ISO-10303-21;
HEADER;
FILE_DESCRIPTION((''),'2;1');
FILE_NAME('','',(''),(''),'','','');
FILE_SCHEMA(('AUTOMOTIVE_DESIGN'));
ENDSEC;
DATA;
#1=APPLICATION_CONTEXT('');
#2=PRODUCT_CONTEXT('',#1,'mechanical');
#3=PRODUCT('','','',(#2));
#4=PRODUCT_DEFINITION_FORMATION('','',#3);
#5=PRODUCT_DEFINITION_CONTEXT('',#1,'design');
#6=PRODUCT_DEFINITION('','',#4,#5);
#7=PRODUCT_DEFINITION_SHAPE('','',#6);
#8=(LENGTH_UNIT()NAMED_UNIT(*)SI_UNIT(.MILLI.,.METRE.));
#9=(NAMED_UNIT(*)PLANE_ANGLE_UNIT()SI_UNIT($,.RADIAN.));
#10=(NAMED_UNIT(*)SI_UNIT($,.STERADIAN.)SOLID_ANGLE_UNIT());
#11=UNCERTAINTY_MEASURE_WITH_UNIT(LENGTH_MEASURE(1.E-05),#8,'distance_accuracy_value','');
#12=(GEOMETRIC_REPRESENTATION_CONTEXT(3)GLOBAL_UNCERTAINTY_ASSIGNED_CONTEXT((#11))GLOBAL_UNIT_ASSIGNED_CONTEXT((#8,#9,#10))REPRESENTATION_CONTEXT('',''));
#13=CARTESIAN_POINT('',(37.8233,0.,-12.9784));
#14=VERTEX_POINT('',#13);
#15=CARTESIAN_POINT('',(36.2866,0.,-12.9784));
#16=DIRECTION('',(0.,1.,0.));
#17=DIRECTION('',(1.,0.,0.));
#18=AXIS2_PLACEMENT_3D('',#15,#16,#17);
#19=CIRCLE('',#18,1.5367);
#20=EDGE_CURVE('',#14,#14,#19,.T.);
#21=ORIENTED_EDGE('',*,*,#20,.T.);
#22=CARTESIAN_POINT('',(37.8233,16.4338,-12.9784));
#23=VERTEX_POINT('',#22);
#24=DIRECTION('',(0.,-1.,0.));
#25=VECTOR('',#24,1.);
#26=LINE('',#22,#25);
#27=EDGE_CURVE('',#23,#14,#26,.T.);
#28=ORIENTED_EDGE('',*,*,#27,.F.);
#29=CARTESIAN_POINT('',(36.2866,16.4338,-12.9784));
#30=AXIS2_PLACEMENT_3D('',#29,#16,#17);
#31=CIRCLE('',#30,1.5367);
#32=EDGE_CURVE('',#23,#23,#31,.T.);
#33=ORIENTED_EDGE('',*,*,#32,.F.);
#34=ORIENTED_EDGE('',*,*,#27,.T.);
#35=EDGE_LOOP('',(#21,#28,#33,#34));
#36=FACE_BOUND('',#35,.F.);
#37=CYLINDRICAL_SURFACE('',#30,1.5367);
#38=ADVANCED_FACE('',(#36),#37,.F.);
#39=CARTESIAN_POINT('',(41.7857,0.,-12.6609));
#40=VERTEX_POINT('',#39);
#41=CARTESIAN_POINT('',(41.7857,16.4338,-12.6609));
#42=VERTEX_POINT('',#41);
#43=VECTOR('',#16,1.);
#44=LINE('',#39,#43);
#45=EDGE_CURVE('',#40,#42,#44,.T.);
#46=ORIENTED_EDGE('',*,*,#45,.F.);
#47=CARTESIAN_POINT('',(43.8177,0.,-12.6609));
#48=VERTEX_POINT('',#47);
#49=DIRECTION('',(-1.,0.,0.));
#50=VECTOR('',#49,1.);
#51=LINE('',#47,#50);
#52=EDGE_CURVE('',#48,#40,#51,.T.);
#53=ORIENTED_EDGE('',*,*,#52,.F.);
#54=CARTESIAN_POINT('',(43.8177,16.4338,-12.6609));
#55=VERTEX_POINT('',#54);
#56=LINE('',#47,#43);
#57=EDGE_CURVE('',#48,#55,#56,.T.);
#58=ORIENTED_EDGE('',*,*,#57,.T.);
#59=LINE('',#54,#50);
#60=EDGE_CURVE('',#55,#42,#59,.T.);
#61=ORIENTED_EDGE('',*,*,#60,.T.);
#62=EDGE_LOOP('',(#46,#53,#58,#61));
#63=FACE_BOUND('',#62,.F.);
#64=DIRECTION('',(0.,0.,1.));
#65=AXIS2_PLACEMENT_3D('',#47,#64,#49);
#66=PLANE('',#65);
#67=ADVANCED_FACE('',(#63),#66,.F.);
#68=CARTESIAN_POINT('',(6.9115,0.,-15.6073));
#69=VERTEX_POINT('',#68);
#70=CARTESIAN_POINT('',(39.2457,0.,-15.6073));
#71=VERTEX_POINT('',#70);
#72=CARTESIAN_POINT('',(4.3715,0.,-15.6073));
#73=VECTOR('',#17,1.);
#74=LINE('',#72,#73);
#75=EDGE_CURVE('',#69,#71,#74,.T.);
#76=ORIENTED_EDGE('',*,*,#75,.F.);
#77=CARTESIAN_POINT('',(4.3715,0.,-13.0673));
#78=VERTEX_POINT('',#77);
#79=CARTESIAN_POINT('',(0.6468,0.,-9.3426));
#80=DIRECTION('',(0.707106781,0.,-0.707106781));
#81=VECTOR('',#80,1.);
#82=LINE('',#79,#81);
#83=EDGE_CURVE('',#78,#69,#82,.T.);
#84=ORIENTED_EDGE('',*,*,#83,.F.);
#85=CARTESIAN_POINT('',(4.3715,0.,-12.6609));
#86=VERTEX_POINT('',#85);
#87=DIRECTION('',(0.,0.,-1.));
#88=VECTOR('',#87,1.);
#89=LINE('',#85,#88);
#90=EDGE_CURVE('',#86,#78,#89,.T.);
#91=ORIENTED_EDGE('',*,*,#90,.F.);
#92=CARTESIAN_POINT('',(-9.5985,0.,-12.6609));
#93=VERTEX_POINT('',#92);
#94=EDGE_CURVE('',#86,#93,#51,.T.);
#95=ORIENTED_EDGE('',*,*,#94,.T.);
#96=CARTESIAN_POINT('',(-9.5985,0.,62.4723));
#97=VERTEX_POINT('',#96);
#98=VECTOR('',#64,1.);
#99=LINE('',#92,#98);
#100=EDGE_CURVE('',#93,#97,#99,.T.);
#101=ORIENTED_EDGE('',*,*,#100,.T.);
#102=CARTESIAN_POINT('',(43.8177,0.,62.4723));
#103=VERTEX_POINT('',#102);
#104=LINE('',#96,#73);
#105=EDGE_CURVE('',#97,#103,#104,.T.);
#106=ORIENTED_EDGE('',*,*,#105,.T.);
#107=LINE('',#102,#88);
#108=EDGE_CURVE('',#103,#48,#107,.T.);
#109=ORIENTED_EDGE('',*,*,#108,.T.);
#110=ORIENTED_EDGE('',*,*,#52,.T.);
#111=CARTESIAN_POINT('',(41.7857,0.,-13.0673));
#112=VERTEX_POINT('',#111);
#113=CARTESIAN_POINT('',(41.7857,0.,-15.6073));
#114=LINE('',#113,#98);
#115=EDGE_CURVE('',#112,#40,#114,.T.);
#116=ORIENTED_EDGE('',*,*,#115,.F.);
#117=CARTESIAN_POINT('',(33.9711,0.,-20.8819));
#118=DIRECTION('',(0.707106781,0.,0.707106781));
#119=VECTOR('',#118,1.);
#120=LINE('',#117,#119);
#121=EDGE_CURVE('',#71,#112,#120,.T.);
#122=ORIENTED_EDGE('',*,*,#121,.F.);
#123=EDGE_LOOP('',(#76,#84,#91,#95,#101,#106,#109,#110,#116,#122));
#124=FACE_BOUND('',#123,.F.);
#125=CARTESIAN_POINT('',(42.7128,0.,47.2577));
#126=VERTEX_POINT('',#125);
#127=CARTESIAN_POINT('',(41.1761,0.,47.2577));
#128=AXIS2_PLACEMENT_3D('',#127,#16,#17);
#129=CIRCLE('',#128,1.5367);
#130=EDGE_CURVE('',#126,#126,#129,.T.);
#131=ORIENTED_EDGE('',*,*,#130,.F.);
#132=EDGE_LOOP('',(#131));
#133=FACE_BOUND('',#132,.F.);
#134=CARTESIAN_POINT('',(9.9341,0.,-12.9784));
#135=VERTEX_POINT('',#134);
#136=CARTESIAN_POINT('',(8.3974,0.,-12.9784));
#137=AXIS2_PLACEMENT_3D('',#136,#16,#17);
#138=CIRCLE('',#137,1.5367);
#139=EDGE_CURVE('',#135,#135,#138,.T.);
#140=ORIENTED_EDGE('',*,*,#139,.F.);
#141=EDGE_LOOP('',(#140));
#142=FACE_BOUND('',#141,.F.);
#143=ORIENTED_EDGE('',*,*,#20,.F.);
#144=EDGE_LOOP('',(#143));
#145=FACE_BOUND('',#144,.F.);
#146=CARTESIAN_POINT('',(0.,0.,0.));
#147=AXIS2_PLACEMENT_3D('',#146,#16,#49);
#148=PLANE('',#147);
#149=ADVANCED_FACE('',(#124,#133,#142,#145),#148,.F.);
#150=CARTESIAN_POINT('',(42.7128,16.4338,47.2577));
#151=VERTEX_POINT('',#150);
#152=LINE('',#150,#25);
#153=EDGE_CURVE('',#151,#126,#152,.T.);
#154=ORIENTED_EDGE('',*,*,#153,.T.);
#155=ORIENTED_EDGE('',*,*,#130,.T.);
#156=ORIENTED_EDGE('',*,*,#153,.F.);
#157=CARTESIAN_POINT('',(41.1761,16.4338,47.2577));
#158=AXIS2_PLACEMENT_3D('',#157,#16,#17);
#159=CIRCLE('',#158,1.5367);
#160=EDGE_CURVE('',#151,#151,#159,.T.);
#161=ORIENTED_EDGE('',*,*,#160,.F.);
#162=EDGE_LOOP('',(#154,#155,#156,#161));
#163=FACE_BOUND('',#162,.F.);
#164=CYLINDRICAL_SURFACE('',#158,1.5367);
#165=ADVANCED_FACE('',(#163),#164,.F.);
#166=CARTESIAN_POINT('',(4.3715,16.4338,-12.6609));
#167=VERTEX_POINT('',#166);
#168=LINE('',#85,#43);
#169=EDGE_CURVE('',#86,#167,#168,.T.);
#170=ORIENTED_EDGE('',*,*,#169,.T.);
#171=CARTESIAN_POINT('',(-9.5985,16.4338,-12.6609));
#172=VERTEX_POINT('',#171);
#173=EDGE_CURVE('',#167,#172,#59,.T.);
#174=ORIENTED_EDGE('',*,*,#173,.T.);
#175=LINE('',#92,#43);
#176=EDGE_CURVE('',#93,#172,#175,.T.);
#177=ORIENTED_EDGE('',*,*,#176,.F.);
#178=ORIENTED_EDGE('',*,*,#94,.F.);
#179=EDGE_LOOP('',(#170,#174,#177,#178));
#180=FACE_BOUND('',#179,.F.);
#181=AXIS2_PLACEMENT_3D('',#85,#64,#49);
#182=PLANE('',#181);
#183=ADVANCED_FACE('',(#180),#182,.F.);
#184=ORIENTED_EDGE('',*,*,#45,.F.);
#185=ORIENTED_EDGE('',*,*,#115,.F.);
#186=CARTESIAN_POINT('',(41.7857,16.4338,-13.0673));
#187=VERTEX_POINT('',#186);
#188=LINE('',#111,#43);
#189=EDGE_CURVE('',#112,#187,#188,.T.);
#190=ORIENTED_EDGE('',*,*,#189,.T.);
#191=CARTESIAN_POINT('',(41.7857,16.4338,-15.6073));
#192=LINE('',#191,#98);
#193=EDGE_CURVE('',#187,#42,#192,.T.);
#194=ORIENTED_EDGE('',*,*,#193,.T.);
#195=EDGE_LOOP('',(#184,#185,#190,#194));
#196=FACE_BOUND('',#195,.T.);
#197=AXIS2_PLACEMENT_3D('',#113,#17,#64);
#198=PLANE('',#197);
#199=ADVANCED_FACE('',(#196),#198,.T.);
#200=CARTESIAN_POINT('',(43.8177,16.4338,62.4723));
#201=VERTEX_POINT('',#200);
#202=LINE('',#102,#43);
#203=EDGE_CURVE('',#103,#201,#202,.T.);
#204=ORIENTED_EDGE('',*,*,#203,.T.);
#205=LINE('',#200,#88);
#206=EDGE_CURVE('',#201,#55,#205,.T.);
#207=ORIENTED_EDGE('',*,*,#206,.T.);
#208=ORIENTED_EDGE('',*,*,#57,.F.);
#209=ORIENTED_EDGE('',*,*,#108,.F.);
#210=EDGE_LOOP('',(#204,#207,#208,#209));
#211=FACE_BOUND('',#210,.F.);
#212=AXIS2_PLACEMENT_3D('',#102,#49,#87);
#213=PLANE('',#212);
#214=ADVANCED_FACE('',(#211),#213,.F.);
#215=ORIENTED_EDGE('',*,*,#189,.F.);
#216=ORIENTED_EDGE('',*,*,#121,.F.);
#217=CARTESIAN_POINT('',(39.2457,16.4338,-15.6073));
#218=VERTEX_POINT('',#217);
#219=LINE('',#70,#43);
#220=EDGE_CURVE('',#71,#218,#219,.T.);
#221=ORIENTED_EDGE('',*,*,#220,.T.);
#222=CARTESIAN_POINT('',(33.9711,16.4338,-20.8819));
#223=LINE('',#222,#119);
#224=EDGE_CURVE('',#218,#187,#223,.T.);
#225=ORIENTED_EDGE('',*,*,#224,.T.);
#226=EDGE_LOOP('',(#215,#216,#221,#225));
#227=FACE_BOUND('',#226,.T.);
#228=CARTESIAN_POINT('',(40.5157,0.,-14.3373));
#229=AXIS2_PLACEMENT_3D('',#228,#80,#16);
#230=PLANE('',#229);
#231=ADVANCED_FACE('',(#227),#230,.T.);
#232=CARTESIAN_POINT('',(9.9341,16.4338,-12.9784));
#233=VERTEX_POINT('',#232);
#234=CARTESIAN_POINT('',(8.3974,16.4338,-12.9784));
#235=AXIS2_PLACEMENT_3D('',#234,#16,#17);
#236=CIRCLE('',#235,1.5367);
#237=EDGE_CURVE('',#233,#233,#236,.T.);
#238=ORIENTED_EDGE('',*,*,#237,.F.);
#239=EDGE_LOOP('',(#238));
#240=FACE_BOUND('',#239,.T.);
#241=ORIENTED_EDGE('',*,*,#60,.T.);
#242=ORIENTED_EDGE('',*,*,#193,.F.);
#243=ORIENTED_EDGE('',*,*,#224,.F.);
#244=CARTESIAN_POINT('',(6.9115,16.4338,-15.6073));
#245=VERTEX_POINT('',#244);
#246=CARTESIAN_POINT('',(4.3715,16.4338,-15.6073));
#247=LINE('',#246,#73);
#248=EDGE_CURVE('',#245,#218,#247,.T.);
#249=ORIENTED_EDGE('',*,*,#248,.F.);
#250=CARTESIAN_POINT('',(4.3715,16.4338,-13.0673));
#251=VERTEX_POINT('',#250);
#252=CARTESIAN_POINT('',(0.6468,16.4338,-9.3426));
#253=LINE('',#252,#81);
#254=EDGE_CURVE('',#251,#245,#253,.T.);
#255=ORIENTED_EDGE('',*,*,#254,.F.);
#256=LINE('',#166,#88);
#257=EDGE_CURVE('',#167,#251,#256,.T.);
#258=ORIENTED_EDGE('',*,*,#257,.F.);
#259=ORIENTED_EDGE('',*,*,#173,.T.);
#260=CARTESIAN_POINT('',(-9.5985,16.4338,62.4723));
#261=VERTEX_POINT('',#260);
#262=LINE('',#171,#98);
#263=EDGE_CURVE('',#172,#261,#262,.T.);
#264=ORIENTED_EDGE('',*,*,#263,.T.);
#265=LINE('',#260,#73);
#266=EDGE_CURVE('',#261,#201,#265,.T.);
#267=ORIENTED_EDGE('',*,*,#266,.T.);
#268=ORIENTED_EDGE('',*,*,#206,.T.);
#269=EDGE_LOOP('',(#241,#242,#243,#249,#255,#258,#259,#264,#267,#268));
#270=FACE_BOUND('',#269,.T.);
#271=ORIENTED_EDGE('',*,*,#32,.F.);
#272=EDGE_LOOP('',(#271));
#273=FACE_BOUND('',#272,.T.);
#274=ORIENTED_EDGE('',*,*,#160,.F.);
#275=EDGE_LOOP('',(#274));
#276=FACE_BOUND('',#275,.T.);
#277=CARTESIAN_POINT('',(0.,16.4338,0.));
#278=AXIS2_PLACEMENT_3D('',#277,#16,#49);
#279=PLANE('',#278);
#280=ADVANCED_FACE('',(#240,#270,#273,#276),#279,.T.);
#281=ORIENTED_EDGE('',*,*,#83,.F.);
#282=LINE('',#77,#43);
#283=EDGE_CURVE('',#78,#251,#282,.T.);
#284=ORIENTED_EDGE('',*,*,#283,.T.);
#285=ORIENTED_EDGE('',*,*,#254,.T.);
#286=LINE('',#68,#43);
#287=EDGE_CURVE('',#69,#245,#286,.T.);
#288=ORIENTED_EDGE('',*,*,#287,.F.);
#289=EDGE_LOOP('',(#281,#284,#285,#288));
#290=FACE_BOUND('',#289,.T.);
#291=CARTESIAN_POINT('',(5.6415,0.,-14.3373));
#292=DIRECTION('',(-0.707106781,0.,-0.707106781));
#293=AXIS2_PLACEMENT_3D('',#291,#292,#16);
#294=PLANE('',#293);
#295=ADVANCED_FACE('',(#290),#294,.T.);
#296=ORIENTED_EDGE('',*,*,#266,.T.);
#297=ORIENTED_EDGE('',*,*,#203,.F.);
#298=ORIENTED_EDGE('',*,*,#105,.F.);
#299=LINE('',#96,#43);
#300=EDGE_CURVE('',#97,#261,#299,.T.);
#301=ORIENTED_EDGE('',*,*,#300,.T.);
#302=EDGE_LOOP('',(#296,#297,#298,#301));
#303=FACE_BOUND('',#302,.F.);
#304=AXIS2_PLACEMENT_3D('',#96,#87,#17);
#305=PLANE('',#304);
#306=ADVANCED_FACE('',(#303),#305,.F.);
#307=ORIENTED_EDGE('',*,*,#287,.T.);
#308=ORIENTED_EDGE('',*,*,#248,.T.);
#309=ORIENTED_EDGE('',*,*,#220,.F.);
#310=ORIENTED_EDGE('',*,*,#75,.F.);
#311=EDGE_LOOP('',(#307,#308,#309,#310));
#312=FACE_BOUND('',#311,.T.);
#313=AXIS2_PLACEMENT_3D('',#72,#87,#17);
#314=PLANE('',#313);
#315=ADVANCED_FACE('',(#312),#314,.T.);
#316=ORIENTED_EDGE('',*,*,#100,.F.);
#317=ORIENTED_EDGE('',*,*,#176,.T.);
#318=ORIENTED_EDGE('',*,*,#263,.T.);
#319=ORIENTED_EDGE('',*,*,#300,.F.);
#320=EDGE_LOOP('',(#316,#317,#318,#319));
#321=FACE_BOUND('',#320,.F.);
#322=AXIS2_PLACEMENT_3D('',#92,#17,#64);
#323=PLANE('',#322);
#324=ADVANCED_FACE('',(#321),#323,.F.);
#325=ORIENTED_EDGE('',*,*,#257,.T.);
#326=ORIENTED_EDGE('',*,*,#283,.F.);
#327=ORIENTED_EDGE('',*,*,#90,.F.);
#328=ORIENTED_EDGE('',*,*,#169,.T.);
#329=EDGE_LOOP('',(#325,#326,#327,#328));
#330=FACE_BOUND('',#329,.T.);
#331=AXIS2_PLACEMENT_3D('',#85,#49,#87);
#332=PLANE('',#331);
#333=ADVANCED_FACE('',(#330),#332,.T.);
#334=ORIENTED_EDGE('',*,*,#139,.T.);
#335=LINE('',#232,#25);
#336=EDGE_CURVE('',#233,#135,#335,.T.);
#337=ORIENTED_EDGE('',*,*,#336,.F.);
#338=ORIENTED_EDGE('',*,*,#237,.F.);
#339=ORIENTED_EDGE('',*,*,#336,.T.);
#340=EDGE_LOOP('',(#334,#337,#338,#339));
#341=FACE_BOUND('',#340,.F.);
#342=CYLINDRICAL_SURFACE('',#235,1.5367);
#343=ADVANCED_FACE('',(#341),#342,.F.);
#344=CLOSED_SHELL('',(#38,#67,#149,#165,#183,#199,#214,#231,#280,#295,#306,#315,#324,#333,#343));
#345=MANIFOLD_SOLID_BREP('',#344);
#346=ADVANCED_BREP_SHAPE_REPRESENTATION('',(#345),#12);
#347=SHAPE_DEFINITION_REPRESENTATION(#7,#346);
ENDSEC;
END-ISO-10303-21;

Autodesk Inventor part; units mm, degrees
ref_plane "YZ Plane" through (0, 0, 0) normal (1, 0, 0) x (0, 1, 0)
ref_plane "XZ Plane" through (0, 0, 0) normal (0, 1, 0) x (-1, 0, 0)
ref_plane "XY Plane" through (0, 0, 0) normal (0, 0, 1) x (1, 0, 0)
sketch "Sketch1" plane through (0, 0, 0) normal (0, 1, 0) x (-1, 0, 0)
  line L0 (9.5985, 62.4723) -> (-43.8177, 62.4723)
  line L1 (-43.8177, 62.4723) -> (-43.8177, -12.6609)
  line L2 (-43.8177, -12.6609) -> (9.5985, -12.6609)
  line L3 (9.5985, -12.6609) -> (9.5985, 62.4723)
  line L4 (-41.7857, -12.6609) -> (-4.3715, -12.6609)
  line L5 (-4.3715, -12.6609) -> (-4.3715, -15.6073)
  line L6 (-4.3715, -15.6073) -> (-41.7857, -15.6073)
  line L7 (-41.7857, -15.6073) -> (-41.7857, -12.6609)
  point P0 (0, 0)
  dimension "d0" = 75.1332
  dimension "d1" = 53.4162
  dimension "d2" = 37.4142
  dimension "d3" = 2.032
  dimension "d4" = 2.9464
extrude "Extrusion1" add sketch "Sketch1" along normal blind 16.4338
chamfer "Chamfer1" distance 2.54 angle 45 2 edges at (41.7857, 8.2169, -15.6073) (4.3715, 8.2169, -15.6073)
sketch "Sketch2" plane through (0, 16.4338, 0) normal (0, 1, 0) x (1, 0, 0)
  circle A0 centre (8.3974, 12.9784) radius 1.5367
  circle A1 centre (36.2866, 12.9784) radius 1.5367
  line L0 (39.2457, 15.6073) -> (6.9115, 15.6073) projected
  line L1 (43.8177, -62.4723) -> (43.8177, 12.6609) projected
  circle A2 centre (41.1761, -47.2577) radius 1.5367
  line L2 (-9.5985, -62.4723) -> (43.8177, -62.4723) projected
  line L3 (41.7857, 12.6609) -> (41.7857, 13.0673) projected
  line L4 (41.7857, 13.0673) -> (41.7857, 15.6073) construction
  line L5 (41.7857, 15.6073) -> (39.2457, 15.6073) construction
  line L6 (4.4039, 13.0673) -> (4.4039, 15.6073) construction
  line L7 (4.4039, 15.6073) -> (6.9115, 15.6073) construction
  line L8 (4.3715, 12.6609) -> (-9.5985, 12.6609) construction
  point P0 (0, 0)
  dimension "d10" = 3.0734
  dimension "d11" = 2.6289
  dimension "d12" = 3.0734
  dimension "d13" = 2.6289
  dimension "d14" = 7.5311
  dimension "d15" = 27.8892
  dimension "d16" = 15.2146
  dimension "d17" = 2.6416
  dimension "d18" = 3.0734
  dimension "d21" = 60.2361
  dimension "d22" = 4.8895
  dimension "d24" = 60.4342
  dimension "d25" = 75.1332
  dimension "d26" = 53.4162
  dimension "d27" = 2.032
  dimension "d29" = 2.9464
  dimension "d30" = 37.3818
  dimension "d31" = 2.9464
  dimension "d32" = 13.97
  dimension "d33" = 75.1332
extrude "Extrusion2" cut sketch "Sketch2" against normal blind 16.4338
equation "\"d13\" = d11"
equation "\"d18\" = d12"
properties part number "Arduino board with Sheild"
